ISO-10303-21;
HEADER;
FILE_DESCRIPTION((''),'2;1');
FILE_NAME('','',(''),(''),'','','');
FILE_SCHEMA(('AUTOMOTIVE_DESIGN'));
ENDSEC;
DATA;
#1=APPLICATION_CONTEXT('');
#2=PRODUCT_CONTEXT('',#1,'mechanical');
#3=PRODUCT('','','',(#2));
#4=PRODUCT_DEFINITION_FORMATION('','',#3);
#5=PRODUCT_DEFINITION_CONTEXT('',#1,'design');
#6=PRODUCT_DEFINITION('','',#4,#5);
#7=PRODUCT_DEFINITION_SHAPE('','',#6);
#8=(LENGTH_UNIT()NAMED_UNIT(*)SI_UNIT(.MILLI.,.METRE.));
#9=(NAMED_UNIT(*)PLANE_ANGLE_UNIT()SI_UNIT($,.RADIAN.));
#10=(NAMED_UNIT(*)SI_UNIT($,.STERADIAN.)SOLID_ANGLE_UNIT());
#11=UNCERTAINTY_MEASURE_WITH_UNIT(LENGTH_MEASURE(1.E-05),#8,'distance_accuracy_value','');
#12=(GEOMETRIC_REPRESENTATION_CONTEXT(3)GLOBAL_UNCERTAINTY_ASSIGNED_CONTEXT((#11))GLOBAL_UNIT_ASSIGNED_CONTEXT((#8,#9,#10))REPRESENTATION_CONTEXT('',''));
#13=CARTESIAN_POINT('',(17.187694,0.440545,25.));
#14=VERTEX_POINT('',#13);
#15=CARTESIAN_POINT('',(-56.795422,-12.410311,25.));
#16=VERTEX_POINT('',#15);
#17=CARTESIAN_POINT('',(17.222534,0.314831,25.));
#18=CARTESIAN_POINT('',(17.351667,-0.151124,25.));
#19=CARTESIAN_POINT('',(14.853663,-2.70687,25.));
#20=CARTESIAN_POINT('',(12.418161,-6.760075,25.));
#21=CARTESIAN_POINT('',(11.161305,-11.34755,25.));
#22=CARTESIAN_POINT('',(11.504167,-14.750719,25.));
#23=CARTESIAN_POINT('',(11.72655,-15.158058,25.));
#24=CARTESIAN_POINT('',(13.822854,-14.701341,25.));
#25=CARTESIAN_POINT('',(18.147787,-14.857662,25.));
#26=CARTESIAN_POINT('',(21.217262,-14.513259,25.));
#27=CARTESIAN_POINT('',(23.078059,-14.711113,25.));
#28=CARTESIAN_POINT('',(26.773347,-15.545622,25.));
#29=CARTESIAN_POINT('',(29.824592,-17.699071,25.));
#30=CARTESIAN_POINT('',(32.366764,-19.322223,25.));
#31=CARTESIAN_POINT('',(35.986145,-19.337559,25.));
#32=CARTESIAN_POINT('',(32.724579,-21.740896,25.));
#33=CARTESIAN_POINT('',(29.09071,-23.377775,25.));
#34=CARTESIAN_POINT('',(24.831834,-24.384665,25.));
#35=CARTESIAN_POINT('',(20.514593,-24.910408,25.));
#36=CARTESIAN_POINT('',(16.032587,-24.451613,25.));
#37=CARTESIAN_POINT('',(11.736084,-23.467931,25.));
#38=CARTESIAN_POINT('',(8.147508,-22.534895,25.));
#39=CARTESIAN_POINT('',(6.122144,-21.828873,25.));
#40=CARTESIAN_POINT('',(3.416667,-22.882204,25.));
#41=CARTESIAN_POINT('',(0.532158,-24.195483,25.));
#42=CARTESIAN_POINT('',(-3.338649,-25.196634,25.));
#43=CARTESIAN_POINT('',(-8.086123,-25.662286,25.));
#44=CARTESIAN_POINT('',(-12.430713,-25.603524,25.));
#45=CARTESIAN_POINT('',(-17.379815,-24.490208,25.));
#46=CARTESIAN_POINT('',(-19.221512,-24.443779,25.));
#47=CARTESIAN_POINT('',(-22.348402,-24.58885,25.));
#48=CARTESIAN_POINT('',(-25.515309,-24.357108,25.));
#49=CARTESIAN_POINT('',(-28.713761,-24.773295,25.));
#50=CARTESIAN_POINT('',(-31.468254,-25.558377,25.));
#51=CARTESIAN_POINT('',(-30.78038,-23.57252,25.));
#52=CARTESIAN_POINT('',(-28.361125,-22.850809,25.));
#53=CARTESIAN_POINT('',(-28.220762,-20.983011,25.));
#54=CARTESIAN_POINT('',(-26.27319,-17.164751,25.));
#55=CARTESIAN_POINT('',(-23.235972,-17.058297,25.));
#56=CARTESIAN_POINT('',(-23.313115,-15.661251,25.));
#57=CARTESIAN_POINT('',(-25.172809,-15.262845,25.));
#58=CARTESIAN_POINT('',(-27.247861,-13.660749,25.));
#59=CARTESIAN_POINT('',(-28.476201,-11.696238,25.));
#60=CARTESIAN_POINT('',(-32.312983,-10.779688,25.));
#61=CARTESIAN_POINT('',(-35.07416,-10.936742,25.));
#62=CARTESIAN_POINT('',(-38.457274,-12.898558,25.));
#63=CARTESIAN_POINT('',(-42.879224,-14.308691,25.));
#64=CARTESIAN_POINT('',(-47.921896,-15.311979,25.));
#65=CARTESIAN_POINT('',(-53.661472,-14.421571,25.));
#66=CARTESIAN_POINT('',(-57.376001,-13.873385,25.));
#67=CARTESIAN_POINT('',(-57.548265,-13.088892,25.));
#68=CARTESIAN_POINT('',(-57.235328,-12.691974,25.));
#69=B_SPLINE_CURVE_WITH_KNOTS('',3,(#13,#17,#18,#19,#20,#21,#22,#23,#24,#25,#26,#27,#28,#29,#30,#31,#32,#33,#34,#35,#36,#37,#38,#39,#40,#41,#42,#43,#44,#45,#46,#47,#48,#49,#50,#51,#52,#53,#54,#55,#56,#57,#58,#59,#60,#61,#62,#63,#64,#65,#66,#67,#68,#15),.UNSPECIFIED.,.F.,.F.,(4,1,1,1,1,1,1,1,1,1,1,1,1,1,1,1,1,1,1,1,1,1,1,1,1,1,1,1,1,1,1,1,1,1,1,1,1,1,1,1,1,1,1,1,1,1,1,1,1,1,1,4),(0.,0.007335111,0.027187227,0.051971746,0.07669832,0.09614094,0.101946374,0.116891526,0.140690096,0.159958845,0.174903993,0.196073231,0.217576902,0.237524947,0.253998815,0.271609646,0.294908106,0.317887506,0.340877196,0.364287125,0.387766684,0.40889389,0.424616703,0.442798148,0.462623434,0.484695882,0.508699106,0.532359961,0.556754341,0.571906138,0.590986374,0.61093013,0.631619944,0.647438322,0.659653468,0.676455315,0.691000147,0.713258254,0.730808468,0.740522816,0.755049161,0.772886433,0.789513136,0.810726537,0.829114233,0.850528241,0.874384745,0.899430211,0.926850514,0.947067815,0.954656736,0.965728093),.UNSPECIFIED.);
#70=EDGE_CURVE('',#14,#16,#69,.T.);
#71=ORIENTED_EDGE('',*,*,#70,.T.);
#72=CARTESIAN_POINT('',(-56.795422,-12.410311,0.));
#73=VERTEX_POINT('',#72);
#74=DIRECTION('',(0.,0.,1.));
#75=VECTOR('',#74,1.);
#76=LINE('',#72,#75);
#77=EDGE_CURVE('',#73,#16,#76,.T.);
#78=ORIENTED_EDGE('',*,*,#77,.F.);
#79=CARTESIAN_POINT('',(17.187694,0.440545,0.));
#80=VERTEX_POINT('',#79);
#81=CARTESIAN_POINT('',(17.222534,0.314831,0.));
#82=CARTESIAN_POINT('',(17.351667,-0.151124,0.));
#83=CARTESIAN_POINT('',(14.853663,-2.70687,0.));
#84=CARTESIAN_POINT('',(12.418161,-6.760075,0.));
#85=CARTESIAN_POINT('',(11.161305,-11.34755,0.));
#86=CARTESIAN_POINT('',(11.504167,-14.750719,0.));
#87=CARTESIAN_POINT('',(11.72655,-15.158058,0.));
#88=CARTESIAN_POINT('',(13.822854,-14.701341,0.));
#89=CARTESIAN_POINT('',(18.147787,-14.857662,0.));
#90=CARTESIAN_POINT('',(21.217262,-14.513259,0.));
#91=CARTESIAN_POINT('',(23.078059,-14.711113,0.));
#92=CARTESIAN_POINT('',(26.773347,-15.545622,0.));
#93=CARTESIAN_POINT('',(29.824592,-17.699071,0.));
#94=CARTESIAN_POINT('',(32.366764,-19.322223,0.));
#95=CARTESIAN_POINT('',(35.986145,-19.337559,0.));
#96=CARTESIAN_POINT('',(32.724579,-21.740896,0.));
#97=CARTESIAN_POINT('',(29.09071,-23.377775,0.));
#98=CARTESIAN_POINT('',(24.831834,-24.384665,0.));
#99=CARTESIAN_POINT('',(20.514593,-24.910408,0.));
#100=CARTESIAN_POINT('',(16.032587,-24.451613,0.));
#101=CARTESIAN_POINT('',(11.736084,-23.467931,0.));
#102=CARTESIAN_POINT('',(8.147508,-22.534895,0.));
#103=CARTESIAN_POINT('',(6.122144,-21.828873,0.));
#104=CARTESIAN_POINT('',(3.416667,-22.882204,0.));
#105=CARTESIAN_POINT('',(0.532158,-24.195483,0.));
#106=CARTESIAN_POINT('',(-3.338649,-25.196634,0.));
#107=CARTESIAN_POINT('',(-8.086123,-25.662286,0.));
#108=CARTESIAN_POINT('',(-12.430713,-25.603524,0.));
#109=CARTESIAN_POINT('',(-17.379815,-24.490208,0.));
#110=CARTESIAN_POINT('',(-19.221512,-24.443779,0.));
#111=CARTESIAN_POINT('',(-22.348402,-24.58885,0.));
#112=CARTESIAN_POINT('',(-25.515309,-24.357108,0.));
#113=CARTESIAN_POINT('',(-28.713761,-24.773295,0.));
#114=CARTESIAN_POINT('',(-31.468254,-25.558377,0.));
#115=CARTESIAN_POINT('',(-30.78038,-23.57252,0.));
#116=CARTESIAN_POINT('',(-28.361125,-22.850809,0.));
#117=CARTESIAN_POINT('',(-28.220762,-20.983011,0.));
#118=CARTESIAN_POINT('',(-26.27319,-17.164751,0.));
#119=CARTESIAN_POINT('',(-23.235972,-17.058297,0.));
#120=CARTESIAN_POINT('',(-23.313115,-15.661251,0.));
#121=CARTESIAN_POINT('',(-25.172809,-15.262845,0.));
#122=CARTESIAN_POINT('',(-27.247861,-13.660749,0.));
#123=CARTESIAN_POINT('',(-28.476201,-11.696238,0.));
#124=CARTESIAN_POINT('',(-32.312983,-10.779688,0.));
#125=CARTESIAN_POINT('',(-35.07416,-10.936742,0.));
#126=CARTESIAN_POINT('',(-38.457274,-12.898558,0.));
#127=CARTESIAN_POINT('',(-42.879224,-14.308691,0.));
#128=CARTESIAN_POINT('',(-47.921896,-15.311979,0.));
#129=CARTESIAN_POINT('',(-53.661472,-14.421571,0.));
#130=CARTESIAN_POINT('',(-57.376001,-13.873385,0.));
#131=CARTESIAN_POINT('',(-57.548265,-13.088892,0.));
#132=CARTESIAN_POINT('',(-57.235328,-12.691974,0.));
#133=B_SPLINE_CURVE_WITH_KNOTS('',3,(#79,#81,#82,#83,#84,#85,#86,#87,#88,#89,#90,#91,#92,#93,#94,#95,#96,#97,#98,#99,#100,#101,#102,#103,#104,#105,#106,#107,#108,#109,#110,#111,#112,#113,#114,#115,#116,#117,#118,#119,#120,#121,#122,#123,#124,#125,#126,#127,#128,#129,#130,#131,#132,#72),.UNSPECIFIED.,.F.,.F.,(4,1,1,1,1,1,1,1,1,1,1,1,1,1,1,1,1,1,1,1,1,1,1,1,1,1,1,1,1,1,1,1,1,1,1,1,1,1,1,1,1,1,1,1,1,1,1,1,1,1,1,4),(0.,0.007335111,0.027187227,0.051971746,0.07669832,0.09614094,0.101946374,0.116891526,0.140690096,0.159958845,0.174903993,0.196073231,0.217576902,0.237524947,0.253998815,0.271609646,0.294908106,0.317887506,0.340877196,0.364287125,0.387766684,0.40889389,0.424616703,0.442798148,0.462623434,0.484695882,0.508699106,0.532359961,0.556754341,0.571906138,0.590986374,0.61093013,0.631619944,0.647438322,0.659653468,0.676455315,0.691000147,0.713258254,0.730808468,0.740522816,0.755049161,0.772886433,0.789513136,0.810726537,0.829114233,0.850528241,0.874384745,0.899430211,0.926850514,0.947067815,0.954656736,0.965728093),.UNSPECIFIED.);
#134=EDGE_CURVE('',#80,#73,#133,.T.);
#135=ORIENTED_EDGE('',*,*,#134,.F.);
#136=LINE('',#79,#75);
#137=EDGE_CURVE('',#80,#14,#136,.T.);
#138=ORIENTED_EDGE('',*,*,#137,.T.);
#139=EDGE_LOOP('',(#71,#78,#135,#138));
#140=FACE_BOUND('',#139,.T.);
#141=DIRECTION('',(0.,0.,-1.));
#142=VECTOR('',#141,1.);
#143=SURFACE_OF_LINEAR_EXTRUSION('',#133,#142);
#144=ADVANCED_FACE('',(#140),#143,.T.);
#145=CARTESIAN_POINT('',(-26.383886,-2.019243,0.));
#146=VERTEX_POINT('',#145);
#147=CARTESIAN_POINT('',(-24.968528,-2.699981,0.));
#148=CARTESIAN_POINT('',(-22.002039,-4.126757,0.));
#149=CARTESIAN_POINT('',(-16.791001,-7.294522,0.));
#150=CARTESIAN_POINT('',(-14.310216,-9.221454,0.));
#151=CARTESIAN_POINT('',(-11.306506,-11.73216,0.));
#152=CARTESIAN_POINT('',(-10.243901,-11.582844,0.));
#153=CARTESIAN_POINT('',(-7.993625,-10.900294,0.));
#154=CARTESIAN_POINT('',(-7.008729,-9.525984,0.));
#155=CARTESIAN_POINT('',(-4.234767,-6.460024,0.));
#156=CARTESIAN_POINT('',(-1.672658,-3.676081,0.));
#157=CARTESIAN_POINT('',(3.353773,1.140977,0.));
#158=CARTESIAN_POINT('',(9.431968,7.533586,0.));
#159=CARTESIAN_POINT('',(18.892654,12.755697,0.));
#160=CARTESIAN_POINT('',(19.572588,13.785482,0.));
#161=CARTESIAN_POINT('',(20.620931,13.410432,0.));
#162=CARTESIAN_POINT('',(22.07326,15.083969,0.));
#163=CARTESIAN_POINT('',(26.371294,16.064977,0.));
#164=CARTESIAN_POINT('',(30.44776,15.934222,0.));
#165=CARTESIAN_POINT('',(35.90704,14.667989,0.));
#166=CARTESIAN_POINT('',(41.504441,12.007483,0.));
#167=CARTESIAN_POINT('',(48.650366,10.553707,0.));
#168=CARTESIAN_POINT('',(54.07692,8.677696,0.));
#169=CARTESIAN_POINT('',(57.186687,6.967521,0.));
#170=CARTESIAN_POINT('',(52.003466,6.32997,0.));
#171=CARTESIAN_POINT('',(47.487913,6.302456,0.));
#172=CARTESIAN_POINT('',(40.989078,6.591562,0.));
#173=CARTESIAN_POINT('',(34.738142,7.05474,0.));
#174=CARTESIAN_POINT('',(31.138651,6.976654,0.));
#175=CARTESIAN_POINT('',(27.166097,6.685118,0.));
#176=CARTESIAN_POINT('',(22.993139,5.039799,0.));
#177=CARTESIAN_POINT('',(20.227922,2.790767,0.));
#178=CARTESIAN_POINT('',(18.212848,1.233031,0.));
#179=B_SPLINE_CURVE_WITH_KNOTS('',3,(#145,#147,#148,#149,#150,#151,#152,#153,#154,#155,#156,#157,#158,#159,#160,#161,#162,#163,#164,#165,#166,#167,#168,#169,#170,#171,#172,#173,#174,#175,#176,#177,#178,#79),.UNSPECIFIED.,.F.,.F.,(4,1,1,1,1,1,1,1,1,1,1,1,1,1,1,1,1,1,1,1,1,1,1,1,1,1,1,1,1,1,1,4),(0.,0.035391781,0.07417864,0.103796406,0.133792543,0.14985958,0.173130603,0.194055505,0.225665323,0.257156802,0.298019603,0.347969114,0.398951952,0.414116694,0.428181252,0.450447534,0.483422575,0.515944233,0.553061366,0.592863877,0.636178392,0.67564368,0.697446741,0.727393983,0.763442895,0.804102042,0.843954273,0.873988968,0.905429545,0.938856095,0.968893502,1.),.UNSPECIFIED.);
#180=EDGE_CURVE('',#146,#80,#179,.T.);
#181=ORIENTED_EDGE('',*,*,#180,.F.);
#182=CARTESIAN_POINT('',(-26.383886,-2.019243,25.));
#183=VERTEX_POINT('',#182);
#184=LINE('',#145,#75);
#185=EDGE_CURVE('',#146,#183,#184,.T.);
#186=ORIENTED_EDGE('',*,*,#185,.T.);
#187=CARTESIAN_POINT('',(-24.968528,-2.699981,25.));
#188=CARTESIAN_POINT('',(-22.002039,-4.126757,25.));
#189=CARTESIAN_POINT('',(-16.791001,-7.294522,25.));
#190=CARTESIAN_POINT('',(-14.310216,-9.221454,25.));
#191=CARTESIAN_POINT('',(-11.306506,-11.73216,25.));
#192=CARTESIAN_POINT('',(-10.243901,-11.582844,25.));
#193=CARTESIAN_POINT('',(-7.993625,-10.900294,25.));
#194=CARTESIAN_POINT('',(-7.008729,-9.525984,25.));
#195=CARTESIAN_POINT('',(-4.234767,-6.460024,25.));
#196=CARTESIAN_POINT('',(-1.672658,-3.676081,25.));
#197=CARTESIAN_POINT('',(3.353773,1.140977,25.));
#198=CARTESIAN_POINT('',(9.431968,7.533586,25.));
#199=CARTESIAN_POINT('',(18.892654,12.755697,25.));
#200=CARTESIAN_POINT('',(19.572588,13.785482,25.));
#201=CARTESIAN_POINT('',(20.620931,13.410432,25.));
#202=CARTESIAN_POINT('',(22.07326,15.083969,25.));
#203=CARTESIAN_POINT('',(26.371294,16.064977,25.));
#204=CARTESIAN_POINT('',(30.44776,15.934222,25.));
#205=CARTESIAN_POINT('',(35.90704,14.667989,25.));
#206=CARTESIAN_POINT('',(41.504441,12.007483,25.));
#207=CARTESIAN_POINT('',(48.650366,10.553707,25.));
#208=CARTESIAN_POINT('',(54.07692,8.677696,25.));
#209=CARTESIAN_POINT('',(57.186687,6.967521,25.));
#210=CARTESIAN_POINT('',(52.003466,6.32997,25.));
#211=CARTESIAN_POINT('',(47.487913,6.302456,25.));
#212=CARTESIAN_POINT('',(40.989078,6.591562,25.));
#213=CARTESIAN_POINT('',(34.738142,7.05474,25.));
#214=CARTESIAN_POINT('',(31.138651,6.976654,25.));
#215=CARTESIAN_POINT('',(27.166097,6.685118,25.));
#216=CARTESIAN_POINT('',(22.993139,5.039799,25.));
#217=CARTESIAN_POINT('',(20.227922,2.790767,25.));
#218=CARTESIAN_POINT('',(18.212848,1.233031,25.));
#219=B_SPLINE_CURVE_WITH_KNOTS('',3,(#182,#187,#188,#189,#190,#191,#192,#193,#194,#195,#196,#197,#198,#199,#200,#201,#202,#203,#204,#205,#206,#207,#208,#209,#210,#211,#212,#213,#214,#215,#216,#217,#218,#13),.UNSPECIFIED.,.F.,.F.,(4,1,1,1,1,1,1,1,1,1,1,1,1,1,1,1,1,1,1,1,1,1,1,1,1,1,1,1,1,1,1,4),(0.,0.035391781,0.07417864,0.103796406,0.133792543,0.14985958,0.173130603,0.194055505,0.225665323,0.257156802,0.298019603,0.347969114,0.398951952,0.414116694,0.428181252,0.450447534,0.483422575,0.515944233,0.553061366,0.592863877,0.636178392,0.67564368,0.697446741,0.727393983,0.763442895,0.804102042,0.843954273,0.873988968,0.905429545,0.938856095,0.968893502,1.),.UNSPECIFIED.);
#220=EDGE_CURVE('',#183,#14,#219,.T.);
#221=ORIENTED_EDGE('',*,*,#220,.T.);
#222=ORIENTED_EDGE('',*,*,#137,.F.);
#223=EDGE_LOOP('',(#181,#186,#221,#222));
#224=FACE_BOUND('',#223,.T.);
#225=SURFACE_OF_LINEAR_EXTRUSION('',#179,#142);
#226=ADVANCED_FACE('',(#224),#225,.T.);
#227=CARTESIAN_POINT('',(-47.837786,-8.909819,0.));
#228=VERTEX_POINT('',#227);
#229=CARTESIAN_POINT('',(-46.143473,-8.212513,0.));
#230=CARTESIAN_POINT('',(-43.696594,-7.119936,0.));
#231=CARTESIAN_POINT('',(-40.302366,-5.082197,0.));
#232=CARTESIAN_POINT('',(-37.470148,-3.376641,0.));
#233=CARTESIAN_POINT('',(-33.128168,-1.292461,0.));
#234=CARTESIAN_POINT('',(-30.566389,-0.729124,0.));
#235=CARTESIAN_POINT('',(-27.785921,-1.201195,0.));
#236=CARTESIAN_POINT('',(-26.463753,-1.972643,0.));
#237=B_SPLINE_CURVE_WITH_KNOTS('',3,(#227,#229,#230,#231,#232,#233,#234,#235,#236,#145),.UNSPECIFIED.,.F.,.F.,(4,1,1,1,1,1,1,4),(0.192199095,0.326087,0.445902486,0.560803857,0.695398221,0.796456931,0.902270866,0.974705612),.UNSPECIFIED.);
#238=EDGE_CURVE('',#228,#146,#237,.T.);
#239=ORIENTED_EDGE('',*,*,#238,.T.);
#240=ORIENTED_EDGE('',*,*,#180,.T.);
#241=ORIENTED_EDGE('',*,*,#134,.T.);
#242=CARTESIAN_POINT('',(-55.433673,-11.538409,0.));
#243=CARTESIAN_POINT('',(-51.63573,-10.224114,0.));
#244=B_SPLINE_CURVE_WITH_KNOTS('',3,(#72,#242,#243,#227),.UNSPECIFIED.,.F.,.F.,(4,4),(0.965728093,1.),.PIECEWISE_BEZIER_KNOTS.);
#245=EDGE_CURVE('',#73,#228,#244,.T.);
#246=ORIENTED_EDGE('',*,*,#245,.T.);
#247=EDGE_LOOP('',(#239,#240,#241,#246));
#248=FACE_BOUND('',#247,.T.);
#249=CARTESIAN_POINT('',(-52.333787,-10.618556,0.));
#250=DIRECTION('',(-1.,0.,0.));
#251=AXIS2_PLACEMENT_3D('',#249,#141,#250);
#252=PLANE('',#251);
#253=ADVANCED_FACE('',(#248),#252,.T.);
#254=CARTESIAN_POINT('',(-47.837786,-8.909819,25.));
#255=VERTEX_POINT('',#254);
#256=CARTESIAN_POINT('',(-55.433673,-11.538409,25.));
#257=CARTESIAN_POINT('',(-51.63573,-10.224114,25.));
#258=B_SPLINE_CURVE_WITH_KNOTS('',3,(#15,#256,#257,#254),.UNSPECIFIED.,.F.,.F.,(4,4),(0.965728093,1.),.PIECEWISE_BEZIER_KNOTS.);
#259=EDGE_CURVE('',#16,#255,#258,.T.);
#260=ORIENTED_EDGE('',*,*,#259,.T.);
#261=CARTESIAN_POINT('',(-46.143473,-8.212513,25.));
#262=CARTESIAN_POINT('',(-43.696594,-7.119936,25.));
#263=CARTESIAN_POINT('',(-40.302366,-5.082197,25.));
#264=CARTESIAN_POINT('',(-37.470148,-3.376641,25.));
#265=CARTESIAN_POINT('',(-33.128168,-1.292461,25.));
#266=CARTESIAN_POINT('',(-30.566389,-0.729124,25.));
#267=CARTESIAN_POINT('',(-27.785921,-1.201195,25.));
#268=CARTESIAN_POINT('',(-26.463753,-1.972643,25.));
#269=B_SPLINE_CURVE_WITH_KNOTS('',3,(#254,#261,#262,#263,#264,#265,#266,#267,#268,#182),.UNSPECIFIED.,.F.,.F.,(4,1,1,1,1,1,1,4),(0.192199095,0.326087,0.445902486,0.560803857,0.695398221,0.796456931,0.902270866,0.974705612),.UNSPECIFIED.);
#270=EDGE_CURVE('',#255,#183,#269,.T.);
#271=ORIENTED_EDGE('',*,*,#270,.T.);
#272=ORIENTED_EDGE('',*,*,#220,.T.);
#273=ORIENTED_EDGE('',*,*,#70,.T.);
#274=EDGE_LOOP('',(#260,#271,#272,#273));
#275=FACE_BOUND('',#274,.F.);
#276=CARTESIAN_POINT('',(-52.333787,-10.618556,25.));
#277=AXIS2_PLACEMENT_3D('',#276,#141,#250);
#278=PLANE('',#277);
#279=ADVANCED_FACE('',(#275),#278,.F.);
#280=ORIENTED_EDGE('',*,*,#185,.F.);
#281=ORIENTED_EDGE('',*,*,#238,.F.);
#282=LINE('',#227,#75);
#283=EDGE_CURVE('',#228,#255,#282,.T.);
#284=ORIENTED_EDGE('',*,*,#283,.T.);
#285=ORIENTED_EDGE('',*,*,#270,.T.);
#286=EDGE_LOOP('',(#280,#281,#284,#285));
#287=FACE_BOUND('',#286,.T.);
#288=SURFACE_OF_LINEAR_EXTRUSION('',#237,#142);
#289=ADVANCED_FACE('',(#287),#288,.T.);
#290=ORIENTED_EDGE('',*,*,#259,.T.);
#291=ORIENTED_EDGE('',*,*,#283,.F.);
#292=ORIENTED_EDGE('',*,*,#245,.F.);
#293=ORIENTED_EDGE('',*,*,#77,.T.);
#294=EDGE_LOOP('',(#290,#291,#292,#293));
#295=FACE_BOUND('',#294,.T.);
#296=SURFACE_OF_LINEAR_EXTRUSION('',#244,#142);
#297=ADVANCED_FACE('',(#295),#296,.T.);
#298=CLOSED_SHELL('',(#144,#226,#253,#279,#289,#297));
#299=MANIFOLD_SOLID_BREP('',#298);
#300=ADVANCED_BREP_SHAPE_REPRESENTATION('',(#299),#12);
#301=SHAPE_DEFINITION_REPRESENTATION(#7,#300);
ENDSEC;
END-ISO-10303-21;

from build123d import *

# Parameters (mm, degrees)
F1_DEPTH = 25


with BuildPart() as f1:
    # F0 (on Top) → F1 (new body)
    with BuildSketch(Plane.XY):
        with BuildLine():
            add(Edge.make_bspline(
                [(-56.7954219878, -12.4103110284), (-55.4336734914, -11.5384091542), (-51.635729934, -10.2241139353), (-47.8377863765, -8.9098187163)],
                knots=[0.9657280933, 0.9657280933, 0.9657280933, 0.9657280933, 1, 1, 1, 1], degree=3))
            add(Edge.make_bspline(
                [(-56.7954219878, -12.4103110284), (-53.5327322538, -11.1605755417), (-50.2700110763, -9.9108164869), (-47.8377863765, -8.9098187163)],
                knots=[0, 0, 0, 0, 0.1921990945, 0.1921990945, 0.1921990945, 0.1921990945], degree=3))
        make_face()
        with BuildLine():
            add(Edge.make_bspline(
                [(-56.7954219878, -12.4103110284), (-53.5327322538, -11.1605755417), (-50.2700110763, -9.9108164869), (-47.8377863765, -8.9098187163)],
                knots=[0, 0, 0, 0, 0.1921990945, 0.1921990945, 0.1921990945, 0.1921990945], degree=3))
            add(Edge.make_bspline(
                [(17.1876940876, 0.4405452346), (17.2225342255, 0.3148306502), (17.3516674808, -0.1511242652), (14.8536629974, -2.7068701886), (12.4181605884, -6.760075142), (11.1613045538, -11.347549791), (11.5041665048, -14.7507189722), (11.7265495114, -15.1580576529), (13.8228538533, -14.7013412865), (18.1477865078, -14.8576624309), (21.2172617878, -14.5132586254), (23.0780591332, -14.7111129581), (26.7733472122, -15.545622429), (29.8245922475, -17.6990705396), (32.36676409, -19.3222227344), (35.9861449448, -19.3375594238), (32.7245787201, -21.7408958511), (29.0907100016, -23.3777752945), (24.8318336335, -24.384665446), (20.5145928376, -24.910407892), (16.032586746, -24.4516133109), (11.7360843173, -23.4679311915), (8.1475080713, -22.5348948108), (6.1221437103, -21.8288725096), (3.4166673281, -22.8822037699), (0.5321579517, -24.1954833822), (-3.3386486859, -25.1966336326), (-8.086122505, -25.662285739), (-12.4307131675, -25.6035243896), (-17.3798152821, -24.4902076081), (-19.2215115852, -24.4437790492), (-22.3484024264, -24.5888498578), (-25.5153090315, -24.3571084614), (-28.7137612335, -24.773295464), (-31.4682535231, -25.5583772655), (-30.7803795497, -23.5725195692), (-28.361125445, -22.8508090943), (-28.2207617802, -20.9830106818), (-26.2731902285, -17.1647511744), (-23.2359723674, -17.0582969943), (-23.3131145097, -15.6612513488), (-25.1728087735, -15.2628450218), (-27.2478607653, -13.6607491105), (-28.4762011962, -11.6962379836), (-32.3129828036, -10.7796884448), (-35.0741601034, -10.9367417021), (-38.4572735774, -12.8985575009), (-42.879223626, -14.3086908237), (-47.9218960525, -15.3119792027), (-53.6614722492, -14.4215706115), (-57.3760014759, -13.873385022), (-57.548265244, -13.0888923646), (-57.2353276053, -12.6919742969), (-56.7954219878, -12.4103110284)],
                knots=[0, 0, 0, 0, 0.0073351108, 0.0271872268, 0.0519717465, 0.0766983198, 0.0961409405, 0.1019463738, 0.1168915258, 0.1406900956, 0.1599588452, 0.1749039934, 0.1960732305, 0.2175769022, 0.237524947, 0.2539988146, 0.2716096458, 0.2949081059, 0.3178875063, 0.3408771958, 0.3642871247, 0.3877666839, 0.4088938899, 0.4246167033, 0.4427981481, 0.4626234343, 0.4846958816, 0.5086991063, 0.5323599614, 0.5567543412, 0.571906138, 0.5909863743, 0.6109301304, 0.6316199442, 0.647438322, 0.6596534679, 0.6764553154, 0.691000147, 0.7132582542, 0.7308084679, 0.740522816, 0.7550491614, 0.7728864335, 0.7895131364, 0.8107265373, 0.8291142326, 0.8505282415, 0.874384745, 0.8994302108, 0.9268505141, 0.9470678146, 0.954656736, 0.9657280933, 0.9657280933, 0.9657280933, 0.9657280933], degree=3))
            add(Edge.make_bspline(
                [(-26.3838861138, -2.0192433149), (-24.9685280309, -2.6999806312), (-22.0020387957, -4.1267573216), (-16.7910005004, -7.2945221658), (-14.3102156437, -9.2214544187), (-11.3065063209, -11.7321599783), (-10.243901401, -11.582844387), (-7.993625014, -10.9002941484), (-7.0087286655, -9.52598417), (-4.2347667594, -6.4600235608), (-1.6726575012, -3.676080855), (3.3537732956, 1.1409765491), (9.4319679946, 7.5335859561), (18.8926538505, 12.7556973342), (19.5725880132, 13.7854821623), (20.620930925, 13.4104321646), (22.0732600624, 15.083968753), (26.3712943448, 16.0649765186), (30.4477598984, 15.9342221478), (35.9070404288, 14.667989079), (41.5044410474, 12.0074828339), (48.6503656006, 10.5537066393), (54.0769200216, 8.6776958683), (57.1866865879, 6.9675209663), (52.0034663075, 6.3299697782), (47.4879126056, 6.3024557668), (40.9890781646, 6.5915620398), (34.738141981, 7.0547395812), (31.1386512314, 6.9766541091), (27.1660966034, 6.6851178378), (22.99313874, 5.0397990292), (20.2279223122, 2.7907666105), (18.2128479017, 1.2330312684), (17.1876940876, 0.4405452346)],
                knots=[0, 0, 0, 0, 0.0353917809, 0.0741786396, 0.1037964064, 0.1337925427, 0.1498595801, 0.1731306033, 0.1940555046, 0.2256653228, 0.2571568023, 0.2980196032, 0.3479691144, 0.3989519521, 0.4141166943, 0.4281812519, 0.4504475336, 0.4834225748, 0.5159442328, 0.5530613662, 0.592863877, 0.6361783924, 0.6756436801, 0.6974467406, 0.7273939828, 0.7634428952, 0.8041020423, 0.8439542735, 0.8739889685, 0.9054295455, 0.9388560948, 0.9688935023, 1, 1, 1, 1], degree=3))
            add(Edge.make_bspline(
                [(-47.8377863765, -8.9098187163), (-46.1434731309, -8.2125131666), (-43.6965938421, -7.1199360116), (-40.3023664199, -5.0821974793), (-37.4701479035, -3.3766411345), (-33.128168216, -1.2924614505), (-30.5663887833, -0.7291238176), (-27.785921214, -1.2011952485), (-26.4637525459, -1.972643497), (-26.3838861138, -2.0192433149)],
                knots=[0.1921990945, 0.1921990945, 0.1921990945, 0.1921990945, 0.3260870003, 0.4459024865, 0.5608038568, 0.6953982214, 0.7964569312, 0.9022708658, 0.9747056115, 0.9747056115, 0.9747056115, 0.9747056115], degree=3))
        make_face()
    extrude(amount=F1_DEPTH)


solid = f1.part
